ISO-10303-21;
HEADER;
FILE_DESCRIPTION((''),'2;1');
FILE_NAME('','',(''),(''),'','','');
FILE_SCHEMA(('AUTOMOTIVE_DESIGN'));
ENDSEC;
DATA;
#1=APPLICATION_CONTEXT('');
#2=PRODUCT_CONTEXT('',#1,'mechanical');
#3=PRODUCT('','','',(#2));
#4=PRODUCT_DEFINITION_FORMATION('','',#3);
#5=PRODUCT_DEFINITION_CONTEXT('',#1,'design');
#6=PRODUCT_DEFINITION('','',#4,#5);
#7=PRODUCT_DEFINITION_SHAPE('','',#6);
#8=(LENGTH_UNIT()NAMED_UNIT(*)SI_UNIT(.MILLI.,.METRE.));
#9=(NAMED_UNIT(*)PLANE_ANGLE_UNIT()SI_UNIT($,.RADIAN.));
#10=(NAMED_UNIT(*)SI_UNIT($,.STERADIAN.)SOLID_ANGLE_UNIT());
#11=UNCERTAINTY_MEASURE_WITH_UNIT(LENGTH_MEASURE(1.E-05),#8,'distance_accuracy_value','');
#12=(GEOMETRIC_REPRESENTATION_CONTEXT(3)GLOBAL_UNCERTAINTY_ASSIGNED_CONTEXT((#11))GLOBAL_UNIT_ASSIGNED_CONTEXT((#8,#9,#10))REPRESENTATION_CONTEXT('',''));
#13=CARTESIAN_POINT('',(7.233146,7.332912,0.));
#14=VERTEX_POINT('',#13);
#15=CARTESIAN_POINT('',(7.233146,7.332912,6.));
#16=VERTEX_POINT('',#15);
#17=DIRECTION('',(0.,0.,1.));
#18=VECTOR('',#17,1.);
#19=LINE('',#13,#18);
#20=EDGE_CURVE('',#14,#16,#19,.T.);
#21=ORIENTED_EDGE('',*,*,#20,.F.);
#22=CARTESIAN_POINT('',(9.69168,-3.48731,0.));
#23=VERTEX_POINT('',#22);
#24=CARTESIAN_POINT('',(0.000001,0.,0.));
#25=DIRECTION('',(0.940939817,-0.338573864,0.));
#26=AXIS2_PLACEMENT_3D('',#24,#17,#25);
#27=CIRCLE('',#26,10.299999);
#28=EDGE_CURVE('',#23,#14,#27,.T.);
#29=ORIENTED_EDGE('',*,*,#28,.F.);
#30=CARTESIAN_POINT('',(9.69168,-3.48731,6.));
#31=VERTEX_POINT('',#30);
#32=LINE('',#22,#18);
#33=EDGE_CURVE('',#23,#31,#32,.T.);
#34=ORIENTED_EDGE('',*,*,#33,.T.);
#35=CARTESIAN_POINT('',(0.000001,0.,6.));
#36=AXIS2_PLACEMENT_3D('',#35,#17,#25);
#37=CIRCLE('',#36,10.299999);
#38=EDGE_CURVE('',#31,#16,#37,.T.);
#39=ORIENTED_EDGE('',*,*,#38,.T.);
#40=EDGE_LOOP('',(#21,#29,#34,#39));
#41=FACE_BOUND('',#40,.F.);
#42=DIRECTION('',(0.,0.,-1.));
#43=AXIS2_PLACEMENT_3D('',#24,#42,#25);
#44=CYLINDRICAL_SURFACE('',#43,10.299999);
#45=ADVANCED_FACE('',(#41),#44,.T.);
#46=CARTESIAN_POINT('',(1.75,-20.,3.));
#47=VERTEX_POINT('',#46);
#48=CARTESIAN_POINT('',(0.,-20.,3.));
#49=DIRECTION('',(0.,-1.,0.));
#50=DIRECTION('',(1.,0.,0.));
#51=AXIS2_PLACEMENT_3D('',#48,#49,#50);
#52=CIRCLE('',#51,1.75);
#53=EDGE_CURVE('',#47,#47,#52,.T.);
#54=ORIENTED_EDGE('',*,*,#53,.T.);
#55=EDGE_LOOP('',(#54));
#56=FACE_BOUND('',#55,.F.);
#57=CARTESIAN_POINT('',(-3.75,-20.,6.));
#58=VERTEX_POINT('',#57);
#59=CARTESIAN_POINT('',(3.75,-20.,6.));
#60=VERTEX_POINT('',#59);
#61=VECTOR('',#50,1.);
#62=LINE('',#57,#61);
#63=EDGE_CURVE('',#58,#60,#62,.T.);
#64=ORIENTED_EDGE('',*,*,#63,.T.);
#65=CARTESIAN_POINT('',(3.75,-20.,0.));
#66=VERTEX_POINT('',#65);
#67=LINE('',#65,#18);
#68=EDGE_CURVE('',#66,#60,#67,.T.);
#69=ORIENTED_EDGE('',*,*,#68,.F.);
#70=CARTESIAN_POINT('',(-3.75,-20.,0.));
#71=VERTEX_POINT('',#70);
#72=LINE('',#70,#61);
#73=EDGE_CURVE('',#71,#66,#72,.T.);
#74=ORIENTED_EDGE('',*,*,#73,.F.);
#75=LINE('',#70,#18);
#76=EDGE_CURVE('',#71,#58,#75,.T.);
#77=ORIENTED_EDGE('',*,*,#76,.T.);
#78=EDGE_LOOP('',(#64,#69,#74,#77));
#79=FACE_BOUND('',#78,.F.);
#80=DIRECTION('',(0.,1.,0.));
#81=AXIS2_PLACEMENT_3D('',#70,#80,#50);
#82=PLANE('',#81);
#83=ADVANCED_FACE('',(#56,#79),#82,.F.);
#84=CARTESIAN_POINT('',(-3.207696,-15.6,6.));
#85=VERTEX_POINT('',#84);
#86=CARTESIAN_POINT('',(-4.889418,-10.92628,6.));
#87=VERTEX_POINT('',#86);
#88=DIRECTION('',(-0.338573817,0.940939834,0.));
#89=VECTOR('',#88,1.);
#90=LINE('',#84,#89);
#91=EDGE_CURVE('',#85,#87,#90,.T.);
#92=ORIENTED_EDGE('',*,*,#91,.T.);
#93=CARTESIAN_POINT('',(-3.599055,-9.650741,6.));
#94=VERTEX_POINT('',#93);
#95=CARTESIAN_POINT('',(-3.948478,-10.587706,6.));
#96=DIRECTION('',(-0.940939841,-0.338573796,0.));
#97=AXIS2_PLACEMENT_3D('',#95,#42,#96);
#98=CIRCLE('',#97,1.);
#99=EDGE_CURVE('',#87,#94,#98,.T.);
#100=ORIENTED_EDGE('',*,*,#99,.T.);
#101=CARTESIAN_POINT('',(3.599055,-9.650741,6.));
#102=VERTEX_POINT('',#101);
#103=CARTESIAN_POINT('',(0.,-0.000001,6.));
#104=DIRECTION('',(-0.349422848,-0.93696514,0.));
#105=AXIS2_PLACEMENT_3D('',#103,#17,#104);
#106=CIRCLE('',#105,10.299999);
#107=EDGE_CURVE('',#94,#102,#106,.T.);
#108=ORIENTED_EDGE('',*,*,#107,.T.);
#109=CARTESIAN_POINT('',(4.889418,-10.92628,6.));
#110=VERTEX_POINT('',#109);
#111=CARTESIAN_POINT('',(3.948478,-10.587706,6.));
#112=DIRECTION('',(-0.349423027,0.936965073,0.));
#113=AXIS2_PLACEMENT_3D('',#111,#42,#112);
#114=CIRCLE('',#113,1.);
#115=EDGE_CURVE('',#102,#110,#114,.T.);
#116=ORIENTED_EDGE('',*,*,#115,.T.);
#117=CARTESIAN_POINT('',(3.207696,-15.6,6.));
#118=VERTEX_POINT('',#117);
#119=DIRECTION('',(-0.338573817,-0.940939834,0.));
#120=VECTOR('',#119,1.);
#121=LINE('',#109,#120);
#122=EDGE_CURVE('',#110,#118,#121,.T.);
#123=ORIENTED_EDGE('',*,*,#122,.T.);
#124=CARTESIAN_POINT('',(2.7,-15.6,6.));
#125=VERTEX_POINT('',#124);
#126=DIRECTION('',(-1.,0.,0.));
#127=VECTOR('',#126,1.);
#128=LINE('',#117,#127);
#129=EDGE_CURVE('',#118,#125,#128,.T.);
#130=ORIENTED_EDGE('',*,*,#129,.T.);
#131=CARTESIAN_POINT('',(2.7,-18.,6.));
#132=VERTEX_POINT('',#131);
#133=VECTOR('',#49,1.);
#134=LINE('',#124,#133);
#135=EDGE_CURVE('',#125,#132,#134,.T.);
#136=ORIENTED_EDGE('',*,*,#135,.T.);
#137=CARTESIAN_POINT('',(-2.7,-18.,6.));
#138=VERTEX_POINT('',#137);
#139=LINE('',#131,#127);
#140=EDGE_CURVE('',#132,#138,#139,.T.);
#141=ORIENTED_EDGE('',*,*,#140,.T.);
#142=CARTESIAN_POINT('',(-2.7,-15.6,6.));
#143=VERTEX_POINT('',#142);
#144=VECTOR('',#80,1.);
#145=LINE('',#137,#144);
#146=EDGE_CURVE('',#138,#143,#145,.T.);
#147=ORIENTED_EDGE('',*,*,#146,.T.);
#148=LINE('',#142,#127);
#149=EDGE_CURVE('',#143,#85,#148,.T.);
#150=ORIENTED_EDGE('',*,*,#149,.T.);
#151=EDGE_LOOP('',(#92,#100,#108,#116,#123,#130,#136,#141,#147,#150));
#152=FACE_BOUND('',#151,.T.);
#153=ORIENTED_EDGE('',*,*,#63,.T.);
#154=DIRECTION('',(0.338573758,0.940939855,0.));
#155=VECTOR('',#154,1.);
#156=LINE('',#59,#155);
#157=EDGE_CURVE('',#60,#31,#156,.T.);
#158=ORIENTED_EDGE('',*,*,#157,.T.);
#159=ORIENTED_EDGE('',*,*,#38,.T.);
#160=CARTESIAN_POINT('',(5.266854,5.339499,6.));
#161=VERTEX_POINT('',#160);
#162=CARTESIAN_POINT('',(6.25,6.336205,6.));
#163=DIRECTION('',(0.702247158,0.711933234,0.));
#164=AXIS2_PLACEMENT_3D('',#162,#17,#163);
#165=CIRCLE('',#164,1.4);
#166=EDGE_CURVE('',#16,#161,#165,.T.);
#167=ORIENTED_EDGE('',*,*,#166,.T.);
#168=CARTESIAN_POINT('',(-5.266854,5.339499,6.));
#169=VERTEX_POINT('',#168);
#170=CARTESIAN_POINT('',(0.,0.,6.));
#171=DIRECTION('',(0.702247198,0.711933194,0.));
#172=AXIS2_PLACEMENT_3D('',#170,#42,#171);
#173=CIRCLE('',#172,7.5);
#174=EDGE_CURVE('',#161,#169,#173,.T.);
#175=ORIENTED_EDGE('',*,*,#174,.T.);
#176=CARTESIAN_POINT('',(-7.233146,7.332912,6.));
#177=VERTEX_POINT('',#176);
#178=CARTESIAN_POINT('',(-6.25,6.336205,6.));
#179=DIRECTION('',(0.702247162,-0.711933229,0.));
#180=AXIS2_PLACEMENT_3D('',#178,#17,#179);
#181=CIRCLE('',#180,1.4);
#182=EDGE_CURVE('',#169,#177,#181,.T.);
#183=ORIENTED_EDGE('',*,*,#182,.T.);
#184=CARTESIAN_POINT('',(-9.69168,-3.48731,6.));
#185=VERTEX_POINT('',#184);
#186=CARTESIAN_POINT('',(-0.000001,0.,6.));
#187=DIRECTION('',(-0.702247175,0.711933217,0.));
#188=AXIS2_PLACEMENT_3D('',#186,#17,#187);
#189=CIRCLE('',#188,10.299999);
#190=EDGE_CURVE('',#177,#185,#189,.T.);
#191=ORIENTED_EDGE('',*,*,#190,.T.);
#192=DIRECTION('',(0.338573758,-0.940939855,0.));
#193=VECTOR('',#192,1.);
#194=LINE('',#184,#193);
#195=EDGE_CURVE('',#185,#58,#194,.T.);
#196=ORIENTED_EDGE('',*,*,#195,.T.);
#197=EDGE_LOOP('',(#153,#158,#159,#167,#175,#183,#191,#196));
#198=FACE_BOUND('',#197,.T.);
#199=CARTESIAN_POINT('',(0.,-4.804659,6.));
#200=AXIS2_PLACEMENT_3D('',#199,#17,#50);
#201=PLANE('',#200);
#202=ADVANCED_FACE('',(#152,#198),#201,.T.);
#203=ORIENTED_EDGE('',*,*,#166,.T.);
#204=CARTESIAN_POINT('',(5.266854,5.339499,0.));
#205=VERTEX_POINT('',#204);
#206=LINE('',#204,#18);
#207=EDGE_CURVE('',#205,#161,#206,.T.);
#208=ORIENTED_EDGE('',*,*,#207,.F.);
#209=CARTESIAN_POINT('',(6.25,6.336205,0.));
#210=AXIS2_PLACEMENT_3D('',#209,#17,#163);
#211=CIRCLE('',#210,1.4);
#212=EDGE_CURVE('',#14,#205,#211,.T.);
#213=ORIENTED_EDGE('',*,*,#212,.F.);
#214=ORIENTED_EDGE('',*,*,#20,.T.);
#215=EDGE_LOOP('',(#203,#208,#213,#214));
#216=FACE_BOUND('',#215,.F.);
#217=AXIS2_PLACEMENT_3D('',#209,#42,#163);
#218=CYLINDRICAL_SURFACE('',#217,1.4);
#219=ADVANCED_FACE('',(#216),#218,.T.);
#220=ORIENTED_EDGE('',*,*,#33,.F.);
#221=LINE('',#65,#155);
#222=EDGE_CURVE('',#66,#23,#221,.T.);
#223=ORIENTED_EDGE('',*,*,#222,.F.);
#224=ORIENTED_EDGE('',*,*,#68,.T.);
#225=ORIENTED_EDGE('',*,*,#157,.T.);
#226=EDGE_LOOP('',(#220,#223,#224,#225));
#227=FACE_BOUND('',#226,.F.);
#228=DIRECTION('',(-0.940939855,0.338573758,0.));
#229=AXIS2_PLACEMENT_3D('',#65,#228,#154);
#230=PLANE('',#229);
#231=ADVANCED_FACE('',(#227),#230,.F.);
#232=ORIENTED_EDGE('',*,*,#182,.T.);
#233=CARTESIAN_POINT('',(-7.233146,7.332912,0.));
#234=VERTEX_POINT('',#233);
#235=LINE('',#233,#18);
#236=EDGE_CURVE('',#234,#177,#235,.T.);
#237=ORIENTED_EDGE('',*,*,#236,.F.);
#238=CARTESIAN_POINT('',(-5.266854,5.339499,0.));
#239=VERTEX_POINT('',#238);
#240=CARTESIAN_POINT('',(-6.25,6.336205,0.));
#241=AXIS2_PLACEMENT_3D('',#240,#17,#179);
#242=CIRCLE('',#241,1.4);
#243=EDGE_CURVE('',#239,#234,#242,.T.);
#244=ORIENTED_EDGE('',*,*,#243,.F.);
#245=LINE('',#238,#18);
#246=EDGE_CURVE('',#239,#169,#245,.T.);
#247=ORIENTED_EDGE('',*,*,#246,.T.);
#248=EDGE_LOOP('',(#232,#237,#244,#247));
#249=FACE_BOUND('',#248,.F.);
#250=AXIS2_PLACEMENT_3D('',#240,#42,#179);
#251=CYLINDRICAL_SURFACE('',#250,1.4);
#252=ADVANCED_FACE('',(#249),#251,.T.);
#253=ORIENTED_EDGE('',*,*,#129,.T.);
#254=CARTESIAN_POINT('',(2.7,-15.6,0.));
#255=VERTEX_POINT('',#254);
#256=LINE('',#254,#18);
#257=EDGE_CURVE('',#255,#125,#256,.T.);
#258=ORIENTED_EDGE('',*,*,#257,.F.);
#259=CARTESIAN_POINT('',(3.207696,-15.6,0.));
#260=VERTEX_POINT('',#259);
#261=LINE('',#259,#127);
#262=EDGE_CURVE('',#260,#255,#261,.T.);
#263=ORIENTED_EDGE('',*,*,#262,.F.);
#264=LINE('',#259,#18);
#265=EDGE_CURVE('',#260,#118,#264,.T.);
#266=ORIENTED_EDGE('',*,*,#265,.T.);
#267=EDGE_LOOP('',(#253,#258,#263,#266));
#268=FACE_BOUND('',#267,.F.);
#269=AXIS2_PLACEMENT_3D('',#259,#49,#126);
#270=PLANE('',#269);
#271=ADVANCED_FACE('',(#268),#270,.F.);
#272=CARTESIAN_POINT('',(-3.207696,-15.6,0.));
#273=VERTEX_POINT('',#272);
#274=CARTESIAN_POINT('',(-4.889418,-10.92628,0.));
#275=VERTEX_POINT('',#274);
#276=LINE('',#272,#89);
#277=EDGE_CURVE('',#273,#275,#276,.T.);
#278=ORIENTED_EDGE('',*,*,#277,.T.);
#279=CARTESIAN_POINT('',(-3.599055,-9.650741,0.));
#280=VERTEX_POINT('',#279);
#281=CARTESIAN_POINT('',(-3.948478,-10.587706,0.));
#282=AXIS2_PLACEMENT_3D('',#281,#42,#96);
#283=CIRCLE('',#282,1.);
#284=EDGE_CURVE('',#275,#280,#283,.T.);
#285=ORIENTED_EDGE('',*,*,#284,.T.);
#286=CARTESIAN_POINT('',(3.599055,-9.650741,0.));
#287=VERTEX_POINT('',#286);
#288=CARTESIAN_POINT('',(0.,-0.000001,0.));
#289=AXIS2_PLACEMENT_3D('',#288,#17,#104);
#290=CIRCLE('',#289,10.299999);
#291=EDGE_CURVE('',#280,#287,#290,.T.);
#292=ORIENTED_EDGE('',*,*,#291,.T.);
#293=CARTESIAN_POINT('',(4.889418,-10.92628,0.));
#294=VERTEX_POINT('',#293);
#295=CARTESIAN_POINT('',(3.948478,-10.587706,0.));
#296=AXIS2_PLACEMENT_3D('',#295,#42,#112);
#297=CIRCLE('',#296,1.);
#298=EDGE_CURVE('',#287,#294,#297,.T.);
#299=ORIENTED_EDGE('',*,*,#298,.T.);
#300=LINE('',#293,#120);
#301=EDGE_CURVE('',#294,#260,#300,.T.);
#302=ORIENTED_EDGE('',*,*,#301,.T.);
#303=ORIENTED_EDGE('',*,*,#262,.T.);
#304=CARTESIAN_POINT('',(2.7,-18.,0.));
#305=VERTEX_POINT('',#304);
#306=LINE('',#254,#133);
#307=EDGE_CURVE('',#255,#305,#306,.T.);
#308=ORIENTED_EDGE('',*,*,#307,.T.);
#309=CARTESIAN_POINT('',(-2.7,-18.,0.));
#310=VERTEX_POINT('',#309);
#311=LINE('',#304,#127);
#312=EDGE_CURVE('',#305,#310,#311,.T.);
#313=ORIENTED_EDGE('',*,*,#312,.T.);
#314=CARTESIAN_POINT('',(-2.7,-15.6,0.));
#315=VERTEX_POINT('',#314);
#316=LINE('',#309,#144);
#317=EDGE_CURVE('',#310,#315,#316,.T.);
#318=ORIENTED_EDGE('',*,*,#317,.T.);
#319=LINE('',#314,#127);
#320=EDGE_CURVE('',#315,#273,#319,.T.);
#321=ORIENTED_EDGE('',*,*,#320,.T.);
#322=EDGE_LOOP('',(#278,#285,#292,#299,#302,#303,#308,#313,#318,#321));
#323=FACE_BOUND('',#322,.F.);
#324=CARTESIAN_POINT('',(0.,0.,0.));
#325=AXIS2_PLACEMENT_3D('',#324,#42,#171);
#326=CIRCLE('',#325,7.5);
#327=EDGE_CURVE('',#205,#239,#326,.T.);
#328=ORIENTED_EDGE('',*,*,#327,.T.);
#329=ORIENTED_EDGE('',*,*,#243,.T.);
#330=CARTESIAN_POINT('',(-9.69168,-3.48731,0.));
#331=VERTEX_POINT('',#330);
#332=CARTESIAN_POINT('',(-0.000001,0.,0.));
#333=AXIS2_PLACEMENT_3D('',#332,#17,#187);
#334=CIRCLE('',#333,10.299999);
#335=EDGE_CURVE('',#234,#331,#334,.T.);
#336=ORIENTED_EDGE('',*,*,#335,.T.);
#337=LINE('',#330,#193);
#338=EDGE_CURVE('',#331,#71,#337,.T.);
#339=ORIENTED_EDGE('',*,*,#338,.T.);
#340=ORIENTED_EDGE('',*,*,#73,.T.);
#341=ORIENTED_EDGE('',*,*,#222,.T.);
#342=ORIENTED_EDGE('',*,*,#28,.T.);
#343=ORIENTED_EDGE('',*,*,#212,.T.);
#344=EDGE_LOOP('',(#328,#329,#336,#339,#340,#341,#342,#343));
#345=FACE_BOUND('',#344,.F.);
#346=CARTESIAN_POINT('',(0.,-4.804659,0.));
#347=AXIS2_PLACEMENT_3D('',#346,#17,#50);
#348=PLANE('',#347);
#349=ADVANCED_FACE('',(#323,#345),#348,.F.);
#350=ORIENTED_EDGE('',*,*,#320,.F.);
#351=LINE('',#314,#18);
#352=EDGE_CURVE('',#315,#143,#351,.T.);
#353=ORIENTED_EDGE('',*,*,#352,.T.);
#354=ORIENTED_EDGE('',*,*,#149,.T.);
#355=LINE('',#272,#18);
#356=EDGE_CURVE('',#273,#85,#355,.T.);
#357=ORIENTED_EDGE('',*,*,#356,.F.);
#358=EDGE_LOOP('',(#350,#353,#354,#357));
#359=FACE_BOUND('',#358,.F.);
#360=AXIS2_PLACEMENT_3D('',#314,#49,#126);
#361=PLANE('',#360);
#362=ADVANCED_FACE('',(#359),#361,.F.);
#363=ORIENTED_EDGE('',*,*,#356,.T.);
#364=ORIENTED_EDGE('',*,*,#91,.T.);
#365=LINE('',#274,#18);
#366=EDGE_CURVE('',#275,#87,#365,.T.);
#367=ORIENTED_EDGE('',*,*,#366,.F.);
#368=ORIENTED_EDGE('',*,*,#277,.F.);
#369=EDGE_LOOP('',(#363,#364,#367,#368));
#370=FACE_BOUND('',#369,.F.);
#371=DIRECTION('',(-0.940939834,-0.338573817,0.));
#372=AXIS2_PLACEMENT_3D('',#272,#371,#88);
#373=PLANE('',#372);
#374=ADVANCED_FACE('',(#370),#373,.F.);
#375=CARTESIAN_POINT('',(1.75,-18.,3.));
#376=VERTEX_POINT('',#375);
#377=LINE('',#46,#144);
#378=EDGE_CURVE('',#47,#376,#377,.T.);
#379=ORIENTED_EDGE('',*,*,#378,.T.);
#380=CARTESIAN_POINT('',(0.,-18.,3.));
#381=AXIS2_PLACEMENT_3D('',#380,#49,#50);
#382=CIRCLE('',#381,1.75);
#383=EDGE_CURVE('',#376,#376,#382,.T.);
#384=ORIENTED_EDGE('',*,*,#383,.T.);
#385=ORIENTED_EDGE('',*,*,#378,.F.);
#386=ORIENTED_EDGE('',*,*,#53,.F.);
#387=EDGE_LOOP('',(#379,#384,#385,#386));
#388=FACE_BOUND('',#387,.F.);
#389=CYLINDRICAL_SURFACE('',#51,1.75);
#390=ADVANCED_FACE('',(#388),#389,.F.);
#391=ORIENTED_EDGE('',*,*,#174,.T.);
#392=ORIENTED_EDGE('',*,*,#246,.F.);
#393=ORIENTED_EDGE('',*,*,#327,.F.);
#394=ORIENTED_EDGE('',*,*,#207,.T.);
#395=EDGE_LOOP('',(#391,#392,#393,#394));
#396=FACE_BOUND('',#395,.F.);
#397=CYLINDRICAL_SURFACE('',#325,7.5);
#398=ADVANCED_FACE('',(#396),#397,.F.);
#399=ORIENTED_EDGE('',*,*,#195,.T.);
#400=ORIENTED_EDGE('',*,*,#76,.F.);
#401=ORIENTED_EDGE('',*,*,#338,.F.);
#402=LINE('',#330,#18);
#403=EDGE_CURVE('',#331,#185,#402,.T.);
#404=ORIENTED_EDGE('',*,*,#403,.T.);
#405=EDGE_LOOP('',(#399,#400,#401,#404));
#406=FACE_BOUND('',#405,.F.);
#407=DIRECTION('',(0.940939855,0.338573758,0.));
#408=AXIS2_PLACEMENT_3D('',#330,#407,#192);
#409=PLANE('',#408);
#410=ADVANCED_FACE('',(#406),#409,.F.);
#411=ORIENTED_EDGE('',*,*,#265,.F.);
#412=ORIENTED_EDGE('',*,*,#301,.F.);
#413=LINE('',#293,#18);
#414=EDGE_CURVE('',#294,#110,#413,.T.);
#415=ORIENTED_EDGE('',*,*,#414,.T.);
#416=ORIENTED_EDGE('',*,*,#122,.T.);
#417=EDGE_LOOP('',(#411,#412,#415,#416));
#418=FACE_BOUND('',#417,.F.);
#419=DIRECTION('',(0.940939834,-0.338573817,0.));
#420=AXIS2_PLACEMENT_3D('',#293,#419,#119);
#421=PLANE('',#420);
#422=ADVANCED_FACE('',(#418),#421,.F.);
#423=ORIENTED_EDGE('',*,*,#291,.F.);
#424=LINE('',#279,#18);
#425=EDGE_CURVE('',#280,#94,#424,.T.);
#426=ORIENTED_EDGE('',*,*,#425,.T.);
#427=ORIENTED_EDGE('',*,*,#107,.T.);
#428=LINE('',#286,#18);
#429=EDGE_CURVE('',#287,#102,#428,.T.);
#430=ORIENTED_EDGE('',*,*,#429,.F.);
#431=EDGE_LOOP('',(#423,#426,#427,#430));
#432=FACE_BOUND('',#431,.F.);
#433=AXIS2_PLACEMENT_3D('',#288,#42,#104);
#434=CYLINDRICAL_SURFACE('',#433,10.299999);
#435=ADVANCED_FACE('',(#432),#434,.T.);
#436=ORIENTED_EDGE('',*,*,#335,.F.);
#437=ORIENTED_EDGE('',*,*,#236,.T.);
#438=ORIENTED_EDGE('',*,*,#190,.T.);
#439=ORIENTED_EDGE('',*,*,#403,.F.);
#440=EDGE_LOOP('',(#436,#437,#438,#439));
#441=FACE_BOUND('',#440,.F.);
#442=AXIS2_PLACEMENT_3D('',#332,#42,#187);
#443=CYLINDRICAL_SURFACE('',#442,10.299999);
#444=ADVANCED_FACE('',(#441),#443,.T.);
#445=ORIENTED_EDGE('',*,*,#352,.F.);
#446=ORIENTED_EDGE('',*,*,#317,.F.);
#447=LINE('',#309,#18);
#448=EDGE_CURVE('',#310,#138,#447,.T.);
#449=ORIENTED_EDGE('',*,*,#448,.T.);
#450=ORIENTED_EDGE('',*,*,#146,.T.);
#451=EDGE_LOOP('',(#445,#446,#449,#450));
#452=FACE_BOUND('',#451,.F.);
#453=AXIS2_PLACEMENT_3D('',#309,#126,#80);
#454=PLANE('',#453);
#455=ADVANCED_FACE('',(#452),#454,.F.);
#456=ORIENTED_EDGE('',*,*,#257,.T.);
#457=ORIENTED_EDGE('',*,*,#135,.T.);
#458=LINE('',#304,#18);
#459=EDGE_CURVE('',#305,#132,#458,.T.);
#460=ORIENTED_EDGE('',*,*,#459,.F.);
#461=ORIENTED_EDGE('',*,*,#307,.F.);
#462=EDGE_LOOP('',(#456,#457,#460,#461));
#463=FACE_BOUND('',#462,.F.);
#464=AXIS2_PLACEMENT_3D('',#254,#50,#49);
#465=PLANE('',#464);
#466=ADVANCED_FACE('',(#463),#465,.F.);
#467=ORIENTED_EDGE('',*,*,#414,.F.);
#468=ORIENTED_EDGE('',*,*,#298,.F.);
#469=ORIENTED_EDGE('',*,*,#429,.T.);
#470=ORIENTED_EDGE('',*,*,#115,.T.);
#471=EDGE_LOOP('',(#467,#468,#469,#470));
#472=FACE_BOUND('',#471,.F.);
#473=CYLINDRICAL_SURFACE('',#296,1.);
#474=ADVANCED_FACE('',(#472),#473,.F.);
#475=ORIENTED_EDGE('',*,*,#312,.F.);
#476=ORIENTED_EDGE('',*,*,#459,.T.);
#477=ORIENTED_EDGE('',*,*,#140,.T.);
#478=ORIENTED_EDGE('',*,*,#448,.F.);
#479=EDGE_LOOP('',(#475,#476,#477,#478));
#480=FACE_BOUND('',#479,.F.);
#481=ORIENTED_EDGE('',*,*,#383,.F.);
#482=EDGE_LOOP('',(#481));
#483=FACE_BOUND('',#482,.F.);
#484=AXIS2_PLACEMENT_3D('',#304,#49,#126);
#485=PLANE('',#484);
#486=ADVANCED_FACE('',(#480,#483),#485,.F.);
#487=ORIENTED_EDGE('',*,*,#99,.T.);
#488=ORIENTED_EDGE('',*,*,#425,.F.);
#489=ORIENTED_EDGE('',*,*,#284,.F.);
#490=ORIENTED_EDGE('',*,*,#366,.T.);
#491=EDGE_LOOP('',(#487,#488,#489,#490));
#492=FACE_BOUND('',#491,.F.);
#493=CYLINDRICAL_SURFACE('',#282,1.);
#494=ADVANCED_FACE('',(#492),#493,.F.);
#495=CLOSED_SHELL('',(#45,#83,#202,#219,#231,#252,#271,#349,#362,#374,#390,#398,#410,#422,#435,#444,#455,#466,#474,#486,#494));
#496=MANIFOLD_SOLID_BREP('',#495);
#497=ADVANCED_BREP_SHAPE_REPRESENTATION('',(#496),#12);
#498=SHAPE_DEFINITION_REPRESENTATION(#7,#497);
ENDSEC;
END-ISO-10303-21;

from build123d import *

# Parameters (mm, degrees)
F1_DEPTH = 6
F2_R     = 1.75
F3_DEPTH = 2


with BuildPart() as f1:
    # F0 (on Top) → F1 (new body)
    with BuildSketch(Plane.XY):
        with BuildLine():
            ThreePointArc((5.266854, 5.339499), (0, -7.5), (-5.266854, 5.339499))
            ThreePointArc((-5.266854, 5.339499), (-5.253294, 7.319352), (-7.233146, 7.332912))
            ThreePointArc((-7.233146, 7.332912), (-10.04399, 2.282162), (-9.69168, -3.48731))
            Line((-9.69168, -3.48731), (-3.75, -20))
            Line((-3.75, -20), (3.75, -20))
            Line((3.75, -20), (9.69168, -3.48731))
            ThreePointArc((9.69168, -3.48731), (10.04399, 2.282162), (7.233146, 7.332912))
            ThreePointArc((7.233146, 7.332912), (5.253294, 7.319352), (5.266854, 5.339499))
        make_face()
        with BuildLine():
            ThreePointArc((-4.889418, -10.92628), (-4.651488, -9.876526), (-3.599055, -9.650741))
            ThreePointArc((-3.599055, -9.650741), (0, -10.3), (3.599055, -9.650741))
            ThreePointArc((3.599055, -9.650741), (4.651488, -9.876526), (4.889418, -10.92628))
            Line((4.889418, -10.92628), (3.207696, -15.6))
            Line((3.207696, -15.6), (2.7, -15.6))
            Line((2.7, -15.6), (2.7, -18))
            Line((2.7, -18), (2.344116, -18))
            Line((2.344116, -18), (-2.344116, -18))
            Line((-2.344116, -18), (-2.7, -18))
            Line((-2.7, -18), (-2.7, -15.6))
            Line((-2.7, -15.6), (-3.207696, -15.6))
            Line((-3.207696, -15.6), (-4.889418, -10.92628))
        make_face(mode=Mode.SUBTRACT)
    extrude(amount=F1_DEPTH)

    # F2 (on face) → F3 (cut, through all)
    with BuildSketch(Plane.XZ.offset(20)):
        with Locations((0, 3)):
            Circle(F2_R)
    extrude(amount=-F3_DEPTH, mode=Mode.SUBTRACT)


solid = f1.part
